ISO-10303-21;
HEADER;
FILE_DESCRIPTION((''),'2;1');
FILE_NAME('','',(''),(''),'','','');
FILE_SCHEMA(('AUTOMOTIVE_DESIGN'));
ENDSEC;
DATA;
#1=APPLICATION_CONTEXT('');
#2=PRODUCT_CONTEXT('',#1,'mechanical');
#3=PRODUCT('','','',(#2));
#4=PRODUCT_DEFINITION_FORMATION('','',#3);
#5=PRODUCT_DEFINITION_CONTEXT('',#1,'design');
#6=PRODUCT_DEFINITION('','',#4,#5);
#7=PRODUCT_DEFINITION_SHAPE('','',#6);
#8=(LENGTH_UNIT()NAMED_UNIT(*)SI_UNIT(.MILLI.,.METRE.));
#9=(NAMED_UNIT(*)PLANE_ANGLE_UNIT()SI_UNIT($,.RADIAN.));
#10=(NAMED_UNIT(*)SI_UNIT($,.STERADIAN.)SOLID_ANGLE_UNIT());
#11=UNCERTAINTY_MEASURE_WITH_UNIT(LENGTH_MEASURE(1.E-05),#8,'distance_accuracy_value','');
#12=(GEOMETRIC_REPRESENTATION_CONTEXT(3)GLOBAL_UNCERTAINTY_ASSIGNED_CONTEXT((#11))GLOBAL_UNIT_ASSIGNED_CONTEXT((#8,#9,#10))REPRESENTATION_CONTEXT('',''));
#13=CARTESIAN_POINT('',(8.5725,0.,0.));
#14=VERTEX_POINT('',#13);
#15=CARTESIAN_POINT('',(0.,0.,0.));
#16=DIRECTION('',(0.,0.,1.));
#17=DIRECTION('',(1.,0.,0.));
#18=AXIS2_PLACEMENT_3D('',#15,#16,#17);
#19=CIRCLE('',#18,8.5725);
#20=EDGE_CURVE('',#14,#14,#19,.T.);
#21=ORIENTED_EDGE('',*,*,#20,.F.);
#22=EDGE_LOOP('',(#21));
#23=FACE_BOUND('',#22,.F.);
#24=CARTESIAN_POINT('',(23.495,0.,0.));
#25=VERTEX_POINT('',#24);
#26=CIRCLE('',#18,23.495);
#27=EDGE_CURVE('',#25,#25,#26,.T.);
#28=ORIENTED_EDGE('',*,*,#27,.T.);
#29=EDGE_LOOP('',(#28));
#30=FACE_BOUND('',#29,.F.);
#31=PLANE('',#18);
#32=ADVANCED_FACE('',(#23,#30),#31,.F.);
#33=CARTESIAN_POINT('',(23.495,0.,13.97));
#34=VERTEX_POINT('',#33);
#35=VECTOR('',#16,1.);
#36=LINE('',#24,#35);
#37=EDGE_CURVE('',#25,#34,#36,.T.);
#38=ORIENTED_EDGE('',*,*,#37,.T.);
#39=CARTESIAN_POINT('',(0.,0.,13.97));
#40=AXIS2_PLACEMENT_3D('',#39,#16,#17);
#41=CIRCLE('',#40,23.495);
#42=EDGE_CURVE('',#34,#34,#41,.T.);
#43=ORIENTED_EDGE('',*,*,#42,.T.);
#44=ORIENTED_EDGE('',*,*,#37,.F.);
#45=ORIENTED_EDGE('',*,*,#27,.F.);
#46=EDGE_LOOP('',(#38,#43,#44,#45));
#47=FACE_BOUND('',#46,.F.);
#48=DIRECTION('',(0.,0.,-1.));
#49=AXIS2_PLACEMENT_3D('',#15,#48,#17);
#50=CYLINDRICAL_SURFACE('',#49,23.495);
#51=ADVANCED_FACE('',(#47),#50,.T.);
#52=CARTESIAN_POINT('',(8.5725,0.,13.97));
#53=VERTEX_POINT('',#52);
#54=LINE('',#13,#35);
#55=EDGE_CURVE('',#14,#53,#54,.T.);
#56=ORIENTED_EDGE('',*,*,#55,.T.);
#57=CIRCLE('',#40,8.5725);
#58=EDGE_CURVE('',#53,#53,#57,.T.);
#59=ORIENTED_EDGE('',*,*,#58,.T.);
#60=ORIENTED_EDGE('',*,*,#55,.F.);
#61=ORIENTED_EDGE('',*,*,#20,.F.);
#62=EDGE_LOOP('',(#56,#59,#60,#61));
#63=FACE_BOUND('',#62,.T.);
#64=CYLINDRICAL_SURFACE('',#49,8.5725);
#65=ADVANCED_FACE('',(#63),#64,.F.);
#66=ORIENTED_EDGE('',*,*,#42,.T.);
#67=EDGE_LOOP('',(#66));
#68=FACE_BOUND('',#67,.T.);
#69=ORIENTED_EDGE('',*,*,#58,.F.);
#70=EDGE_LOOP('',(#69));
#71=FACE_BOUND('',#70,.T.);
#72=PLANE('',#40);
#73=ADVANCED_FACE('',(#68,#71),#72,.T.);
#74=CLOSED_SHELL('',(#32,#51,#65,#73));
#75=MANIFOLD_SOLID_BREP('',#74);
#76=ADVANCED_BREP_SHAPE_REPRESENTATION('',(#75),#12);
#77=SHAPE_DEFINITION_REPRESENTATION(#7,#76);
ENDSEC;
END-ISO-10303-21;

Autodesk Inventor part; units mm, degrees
sketch "Sketch1" plane through (0, 0, 0) normal (0, 0, 1) x (1, 0, 0)
  circle A0 centre (0, 0) radius 8.5725
  circle A1 centre (0, 0) radius 23.495
  dimension "d0" = 46.99
  dimension "d1" = 17.145
extrude "Extrusion1" add sketch "Sketch1" along normal blind 13.97
ref_plane "Work Plane1" through (0, 0, 6.985) normal (0, 0, 1) x (1, 0, 0)
ref_plane "Work Plane2" through (0, 0, 0) normal (0, 1, 0) x (0, 0, 1)
ref_plane "Work Plane3" through (0, 0, 0) normal (1, 0, 0) x (0, 0, 1)
properties part number "Big Bearing" material "Steel, Carbon"
